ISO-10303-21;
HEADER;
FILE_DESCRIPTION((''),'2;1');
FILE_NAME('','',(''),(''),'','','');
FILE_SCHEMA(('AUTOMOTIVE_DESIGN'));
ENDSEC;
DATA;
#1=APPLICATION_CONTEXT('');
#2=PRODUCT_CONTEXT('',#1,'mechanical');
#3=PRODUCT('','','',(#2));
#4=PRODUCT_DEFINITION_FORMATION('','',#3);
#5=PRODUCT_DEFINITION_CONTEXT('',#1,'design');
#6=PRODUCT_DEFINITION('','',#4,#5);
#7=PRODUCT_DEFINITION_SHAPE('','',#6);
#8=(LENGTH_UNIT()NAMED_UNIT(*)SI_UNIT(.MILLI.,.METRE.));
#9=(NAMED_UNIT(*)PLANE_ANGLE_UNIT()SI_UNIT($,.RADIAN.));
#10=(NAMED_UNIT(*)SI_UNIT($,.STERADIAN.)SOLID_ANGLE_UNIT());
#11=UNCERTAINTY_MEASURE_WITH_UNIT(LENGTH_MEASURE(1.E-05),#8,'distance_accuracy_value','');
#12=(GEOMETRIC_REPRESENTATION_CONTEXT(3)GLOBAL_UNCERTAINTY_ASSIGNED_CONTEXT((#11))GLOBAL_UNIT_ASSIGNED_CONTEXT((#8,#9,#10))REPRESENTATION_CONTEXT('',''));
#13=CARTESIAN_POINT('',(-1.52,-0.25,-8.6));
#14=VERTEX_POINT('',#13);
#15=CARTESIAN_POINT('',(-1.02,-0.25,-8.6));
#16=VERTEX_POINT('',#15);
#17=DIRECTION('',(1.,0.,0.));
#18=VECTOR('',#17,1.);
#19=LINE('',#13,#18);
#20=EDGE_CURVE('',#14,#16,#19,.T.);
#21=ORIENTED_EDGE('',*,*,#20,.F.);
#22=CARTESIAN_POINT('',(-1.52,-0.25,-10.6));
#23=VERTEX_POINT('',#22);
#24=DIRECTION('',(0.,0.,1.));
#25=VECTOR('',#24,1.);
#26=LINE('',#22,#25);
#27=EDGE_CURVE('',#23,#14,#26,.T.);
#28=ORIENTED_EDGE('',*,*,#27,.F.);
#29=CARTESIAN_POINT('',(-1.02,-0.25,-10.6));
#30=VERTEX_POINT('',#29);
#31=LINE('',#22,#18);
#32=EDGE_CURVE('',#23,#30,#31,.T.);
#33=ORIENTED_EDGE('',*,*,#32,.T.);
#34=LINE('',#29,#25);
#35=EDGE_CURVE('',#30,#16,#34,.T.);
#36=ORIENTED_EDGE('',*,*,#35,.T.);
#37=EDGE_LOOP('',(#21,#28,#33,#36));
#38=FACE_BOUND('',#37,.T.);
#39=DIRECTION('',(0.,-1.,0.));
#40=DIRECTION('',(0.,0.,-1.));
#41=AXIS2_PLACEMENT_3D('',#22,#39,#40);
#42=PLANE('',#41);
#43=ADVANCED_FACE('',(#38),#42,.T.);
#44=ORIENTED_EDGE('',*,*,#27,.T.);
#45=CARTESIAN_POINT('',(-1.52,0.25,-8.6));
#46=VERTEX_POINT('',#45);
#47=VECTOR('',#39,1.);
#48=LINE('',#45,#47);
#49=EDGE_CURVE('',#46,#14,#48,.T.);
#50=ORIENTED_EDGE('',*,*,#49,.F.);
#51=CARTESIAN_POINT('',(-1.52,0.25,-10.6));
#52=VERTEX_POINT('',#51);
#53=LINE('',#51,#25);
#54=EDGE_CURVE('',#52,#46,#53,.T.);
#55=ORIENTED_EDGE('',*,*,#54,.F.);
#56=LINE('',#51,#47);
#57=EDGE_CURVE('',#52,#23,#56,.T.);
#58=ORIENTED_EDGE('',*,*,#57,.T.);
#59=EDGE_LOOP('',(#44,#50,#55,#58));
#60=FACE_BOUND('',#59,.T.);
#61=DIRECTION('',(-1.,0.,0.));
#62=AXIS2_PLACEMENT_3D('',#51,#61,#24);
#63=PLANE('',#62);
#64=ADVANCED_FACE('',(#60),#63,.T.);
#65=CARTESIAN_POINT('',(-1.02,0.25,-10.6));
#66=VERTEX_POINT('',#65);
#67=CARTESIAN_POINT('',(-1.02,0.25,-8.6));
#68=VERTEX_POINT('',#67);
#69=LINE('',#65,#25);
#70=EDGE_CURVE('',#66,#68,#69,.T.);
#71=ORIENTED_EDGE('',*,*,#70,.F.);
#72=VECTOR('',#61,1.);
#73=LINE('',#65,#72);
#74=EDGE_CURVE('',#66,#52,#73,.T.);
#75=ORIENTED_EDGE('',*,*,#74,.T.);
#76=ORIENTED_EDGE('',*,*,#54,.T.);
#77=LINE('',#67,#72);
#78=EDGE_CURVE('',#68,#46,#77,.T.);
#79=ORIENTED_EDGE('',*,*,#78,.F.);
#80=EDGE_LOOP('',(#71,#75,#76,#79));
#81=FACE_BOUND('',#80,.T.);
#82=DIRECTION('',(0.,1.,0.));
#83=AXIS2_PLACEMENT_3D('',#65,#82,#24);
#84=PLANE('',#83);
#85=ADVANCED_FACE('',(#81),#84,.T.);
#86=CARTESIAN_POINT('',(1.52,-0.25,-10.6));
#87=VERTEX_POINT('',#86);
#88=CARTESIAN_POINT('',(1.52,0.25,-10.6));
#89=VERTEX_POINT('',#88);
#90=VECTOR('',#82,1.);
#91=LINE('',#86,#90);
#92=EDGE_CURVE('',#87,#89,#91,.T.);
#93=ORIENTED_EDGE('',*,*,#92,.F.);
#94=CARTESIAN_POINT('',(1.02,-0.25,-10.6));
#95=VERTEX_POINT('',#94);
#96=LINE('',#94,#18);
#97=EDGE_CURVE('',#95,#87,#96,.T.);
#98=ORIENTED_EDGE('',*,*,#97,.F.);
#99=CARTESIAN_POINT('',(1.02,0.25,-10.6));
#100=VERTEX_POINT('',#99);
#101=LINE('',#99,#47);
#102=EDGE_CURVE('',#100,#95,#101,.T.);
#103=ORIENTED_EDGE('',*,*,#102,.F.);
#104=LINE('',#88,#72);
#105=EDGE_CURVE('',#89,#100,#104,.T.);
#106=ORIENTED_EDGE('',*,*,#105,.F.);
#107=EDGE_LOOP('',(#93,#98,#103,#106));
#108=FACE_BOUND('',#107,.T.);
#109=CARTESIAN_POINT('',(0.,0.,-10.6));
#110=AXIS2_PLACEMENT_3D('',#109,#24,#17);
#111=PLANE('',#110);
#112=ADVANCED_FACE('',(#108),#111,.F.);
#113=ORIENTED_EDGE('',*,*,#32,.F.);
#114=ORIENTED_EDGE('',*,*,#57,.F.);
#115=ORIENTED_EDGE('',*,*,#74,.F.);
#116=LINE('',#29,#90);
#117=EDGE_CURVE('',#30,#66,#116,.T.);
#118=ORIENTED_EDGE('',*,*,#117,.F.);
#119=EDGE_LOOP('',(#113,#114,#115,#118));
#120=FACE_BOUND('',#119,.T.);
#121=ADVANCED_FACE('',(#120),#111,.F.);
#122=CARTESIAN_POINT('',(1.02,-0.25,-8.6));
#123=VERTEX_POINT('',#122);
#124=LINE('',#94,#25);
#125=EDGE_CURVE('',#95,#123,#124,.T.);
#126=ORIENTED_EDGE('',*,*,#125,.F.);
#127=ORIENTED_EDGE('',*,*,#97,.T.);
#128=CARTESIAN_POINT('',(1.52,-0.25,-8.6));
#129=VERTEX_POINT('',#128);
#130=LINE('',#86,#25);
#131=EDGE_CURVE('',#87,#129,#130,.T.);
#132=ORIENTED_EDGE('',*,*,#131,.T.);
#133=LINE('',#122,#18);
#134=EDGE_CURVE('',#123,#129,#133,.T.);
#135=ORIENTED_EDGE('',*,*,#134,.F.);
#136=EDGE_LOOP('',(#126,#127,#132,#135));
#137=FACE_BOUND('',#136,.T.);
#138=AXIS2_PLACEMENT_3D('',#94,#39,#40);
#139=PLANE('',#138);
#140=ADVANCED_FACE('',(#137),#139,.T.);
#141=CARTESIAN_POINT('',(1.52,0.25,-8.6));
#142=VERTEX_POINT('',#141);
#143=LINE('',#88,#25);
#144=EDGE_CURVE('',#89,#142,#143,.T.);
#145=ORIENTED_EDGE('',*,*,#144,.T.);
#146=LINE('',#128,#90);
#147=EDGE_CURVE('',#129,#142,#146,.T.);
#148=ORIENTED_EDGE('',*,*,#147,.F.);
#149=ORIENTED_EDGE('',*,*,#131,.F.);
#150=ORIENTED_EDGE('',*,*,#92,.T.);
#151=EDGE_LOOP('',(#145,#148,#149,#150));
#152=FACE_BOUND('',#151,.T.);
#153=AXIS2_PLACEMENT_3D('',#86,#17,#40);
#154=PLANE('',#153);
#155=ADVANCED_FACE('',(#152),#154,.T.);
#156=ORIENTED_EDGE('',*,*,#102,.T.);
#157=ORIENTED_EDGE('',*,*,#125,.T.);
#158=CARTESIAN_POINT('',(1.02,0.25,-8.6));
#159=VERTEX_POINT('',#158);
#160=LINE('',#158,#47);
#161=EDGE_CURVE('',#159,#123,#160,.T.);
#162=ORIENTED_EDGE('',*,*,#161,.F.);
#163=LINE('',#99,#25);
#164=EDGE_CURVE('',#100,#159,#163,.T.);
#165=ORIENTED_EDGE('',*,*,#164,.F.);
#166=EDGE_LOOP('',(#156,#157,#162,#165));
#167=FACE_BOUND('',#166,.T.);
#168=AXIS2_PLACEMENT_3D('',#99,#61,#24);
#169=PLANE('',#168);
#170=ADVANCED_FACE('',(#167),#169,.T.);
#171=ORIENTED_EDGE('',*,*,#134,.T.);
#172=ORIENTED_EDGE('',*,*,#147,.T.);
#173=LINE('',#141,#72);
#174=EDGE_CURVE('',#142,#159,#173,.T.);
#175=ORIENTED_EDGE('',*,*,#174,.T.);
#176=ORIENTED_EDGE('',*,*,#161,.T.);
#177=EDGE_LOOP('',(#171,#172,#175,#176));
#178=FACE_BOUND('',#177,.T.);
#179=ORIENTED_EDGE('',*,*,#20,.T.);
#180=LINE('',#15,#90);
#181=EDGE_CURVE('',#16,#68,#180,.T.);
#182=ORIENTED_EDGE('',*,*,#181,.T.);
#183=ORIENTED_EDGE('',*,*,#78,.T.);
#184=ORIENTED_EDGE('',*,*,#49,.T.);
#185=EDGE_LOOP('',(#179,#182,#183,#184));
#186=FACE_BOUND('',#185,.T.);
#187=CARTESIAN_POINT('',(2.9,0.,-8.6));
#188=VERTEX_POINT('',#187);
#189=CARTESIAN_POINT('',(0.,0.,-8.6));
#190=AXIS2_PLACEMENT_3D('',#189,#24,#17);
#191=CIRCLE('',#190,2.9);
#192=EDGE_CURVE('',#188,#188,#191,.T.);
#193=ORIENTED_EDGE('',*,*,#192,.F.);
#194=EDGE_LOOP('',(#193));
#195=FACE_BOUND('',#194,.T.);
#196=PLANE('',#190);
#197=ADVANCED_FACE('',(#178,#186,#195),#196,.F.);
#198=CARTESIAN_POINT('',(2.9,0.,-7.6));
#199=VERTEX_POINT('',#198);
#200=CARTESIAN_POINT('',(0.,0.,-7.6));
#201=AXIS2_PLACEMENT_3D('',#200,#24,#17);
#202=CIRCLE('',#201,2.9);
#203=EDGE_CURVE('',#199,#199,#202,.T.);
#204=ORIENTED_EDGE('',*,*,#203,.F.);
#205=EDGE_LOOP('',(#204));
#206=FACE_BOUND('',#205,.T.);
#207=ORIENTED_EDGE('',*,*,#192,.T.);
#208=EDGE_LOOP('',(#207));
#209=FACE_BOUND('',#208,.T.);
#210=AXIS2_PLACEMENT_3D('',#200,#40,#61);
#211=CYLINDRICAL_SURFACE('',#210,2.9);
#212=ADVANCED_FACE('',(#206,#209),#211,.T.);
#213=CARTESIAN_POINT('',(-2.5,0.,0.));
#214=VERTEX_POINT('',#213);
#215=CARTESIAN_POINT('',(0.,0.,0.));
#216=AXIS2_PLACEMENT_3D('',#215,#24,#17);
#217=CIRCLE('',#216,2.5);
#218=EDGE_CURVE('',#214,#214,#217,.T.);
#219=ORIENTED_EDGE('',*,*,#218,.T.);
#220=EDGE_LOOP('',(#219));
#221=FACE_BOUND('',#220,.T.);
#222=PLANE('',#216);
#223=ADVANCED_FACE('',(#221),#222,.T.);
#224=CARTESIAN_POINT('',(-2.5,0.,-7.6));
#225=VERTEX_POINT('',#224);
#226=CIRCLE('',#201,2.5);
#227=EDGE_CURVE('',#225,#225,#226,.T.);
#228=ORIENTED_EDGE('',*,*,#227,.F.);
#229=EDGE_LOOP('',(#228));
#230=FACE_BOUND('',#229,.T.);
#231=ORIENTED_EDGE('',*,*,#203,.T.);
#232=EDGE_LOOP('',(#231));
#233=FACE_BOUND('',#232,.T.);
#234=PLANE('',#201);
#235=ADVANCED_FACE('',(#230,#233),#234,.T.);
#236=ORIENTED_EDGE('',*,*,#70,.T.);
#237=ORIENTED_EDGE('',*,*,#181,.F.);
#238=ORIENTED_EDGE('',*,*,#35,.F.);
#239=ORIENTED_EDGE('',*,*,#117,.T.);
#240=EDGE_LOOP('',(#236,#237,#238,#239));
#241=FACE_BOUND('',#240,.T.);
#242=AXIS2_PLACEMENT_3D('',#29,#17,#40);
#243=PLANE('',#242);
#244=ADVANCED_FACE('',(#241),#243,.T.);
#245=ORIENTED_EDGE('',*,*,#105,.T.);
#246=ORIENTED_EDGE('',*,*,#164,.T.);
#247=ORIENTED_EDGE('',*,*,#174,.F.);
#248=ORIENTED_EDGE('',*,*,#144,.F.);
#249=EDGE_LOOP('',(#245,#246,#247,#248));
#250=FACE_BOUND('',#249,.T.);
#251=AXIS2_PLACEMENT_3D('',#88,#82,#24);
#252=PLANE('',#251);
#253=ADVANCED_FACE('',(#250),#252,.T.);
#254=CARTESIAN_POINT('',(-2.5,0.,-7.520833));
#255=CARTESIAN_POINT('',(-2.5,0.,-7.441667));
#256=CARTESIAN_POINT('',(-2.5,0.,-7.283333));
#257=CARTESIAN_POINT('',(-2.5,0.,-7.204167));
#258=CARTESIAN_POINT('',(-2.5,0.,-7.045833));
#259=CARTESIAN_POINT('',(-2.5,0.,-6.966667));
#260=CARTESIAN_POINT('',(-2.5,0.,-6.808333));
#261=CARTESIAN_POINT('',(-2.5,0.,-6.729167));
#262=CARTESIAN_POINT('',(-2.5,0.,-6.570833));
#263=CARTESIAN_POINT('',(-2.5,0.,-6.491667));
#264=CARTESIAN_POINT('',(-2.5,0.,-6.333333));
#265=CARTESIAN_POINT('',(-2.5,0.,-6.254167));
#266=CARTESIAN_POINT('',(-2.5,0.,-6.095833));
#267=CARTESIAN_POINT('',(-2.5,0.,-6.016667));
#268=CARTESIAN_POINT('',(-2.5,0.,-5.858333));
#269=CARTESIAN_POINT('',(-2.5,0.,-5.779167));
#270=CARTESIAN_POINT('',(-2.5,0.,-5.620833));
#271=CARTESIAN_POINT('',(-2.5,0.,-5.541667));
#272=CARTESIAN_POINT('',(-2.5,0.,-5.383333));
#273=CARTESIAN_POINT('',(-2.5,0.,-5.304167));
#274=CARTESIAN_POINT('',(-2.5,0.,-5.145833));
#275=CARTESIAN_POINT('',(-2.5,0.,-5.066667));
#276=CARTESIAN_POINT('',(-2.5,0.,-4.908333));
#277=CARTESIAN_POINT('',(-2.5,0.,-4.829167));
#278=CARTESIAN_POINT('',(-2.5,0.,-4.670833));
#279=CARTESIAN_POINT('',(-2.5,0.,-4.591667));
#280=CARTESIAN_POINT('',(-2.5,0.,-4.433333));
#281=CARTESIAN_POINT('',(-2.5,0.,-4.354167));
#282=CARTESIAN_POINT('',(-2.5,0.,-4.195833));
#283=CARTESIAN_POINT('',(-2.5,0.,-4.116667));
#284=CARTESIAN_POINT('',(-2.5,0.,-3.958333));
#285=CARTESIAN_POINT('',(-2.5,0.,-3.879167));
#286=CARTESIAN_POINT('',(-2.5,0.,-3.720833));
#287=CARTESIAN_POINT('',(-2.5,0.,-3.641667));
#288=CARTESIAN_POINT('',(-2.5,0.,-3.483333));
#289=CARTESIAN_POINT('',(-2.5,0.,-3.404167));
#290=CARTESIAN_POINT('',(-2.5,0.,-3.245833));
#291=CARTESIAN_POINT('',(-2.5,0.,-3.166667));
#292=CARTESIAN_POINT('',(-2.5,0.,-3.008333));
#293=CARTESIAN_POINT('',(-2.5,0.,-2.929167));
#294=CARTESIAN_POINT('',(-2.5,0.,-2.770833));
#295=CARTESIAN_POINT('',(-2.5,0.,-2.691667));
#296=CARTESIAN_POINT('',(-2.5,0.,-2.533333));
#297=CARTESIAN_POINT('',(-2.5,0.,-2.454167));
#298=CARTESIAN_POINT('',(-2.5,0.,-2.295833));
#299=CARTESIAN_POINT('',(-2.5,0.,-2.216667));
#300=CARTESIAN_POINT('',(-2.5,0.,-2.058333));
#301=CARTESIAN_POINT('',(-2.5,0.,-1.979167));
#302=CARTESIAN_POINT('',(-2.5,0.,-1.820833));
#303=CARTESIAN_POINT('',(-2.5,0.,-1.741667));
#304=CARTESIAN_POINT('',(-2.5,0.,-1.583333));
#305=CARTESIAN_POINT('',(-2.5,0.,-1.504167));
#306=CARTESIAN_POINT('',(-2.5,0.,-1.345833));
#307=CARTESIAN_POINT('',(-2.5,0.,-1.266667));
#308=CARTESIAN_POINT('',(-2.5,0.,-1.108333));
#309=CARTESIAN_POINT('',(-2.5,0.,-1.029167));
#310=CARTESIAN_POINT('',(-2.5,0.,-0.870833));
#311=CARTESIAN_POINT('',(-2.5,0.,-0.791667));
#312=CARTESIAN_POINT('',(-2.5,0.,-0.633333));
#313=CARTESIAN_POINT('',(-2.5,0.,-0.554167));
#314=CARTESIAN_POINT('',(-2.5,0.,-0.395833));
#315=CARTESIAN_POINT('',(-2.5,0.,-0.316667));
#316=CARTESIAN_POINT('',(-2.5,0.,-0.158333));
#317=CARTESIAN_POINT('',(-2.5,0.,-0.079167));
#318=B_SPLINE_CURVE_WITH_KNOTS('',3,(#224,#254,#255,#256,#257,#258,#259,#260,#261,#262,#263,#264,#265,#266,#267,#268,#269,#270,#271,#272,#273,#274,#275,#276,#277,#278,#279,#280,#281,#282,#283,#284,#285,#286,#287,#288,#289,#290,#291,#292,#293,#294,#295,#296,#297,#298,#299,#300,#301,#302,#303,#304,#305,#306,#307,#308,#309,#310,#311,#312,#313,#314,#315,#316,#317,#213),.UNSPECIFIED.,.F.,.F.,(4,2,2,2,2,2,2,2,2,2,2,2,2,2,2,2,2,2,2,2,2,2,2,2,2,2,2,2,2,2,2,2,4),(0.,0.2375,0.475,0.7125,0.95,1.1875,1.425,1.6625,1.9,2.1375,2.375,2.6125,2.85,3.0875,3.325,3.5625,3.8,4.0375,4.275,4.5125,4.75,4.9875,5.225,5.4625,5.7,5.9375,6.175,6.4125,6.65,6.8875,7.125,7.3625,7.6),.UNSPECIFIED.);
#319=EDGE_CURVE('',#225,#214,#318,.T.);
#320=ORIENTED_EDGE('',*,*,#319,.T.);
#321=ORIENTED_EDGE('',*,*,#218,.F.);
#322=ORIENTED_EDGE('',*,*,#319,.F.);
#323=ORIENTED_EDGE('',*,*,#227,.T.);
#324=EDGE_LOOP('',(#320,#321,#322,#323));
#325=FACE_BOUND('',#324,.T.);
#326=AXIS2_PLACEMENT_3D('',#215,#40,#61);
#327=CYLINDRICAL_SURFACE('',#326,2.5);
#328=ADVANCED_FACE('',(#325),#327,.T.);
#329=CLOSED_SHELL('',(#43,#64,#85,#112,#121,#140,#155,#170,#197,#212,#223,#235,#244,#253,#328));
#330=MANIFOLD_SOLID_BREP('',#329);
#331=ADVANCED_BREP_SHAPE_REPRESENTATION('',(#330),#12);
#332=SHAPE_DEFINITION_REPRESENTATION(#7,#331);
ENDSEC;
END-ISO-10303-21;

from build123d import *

# Parameters (mm, degrees)
BODY_START   = -8.6
SKETCH1_R    = 2.5
BODY_DEPTH   = 8.6
FLANGE_START = -8.6
SKETCH2_R    = 2.9
FLANGE_DEPTH = 1
LEADS_START  = -8.6
SKETCH3_W    = 0.5
SKETCH3_H    = 0.5
LEADS_DEPTH  = 2


with BuildPart() as part:
    # Sketch1 → Body (new body)
    with BuildSketch(Plane.XY.offset(BODY_START)):
        with Locations(Location((0, 0, 0), (0, 0, 180))):
            Circle(SKETCH1_R)
    extrude(amount=BODY_DEPTH)

    # Sketch2 → Flange (add)
    with BuildSketch(Plane.XY.offset(FLANGE_START)):
        Circle(SKETCH2_R)
    extrude(amount=FLANGE_DEPTH)

    # Sketch3 → Leads (add)
    with BuildSketch(Plane.XY.offset(LEADS_START)):
        with Locations((-1.27, 0)):
            Rectangle(SKETCH3_W, SKETCH3_H)
        with Locations((1.27, 0)):
            Rectangle(SKETCH3_W, SKETCH3_H)
    extrude(amount=-LEADS_DEPTH)


solid = part.part
